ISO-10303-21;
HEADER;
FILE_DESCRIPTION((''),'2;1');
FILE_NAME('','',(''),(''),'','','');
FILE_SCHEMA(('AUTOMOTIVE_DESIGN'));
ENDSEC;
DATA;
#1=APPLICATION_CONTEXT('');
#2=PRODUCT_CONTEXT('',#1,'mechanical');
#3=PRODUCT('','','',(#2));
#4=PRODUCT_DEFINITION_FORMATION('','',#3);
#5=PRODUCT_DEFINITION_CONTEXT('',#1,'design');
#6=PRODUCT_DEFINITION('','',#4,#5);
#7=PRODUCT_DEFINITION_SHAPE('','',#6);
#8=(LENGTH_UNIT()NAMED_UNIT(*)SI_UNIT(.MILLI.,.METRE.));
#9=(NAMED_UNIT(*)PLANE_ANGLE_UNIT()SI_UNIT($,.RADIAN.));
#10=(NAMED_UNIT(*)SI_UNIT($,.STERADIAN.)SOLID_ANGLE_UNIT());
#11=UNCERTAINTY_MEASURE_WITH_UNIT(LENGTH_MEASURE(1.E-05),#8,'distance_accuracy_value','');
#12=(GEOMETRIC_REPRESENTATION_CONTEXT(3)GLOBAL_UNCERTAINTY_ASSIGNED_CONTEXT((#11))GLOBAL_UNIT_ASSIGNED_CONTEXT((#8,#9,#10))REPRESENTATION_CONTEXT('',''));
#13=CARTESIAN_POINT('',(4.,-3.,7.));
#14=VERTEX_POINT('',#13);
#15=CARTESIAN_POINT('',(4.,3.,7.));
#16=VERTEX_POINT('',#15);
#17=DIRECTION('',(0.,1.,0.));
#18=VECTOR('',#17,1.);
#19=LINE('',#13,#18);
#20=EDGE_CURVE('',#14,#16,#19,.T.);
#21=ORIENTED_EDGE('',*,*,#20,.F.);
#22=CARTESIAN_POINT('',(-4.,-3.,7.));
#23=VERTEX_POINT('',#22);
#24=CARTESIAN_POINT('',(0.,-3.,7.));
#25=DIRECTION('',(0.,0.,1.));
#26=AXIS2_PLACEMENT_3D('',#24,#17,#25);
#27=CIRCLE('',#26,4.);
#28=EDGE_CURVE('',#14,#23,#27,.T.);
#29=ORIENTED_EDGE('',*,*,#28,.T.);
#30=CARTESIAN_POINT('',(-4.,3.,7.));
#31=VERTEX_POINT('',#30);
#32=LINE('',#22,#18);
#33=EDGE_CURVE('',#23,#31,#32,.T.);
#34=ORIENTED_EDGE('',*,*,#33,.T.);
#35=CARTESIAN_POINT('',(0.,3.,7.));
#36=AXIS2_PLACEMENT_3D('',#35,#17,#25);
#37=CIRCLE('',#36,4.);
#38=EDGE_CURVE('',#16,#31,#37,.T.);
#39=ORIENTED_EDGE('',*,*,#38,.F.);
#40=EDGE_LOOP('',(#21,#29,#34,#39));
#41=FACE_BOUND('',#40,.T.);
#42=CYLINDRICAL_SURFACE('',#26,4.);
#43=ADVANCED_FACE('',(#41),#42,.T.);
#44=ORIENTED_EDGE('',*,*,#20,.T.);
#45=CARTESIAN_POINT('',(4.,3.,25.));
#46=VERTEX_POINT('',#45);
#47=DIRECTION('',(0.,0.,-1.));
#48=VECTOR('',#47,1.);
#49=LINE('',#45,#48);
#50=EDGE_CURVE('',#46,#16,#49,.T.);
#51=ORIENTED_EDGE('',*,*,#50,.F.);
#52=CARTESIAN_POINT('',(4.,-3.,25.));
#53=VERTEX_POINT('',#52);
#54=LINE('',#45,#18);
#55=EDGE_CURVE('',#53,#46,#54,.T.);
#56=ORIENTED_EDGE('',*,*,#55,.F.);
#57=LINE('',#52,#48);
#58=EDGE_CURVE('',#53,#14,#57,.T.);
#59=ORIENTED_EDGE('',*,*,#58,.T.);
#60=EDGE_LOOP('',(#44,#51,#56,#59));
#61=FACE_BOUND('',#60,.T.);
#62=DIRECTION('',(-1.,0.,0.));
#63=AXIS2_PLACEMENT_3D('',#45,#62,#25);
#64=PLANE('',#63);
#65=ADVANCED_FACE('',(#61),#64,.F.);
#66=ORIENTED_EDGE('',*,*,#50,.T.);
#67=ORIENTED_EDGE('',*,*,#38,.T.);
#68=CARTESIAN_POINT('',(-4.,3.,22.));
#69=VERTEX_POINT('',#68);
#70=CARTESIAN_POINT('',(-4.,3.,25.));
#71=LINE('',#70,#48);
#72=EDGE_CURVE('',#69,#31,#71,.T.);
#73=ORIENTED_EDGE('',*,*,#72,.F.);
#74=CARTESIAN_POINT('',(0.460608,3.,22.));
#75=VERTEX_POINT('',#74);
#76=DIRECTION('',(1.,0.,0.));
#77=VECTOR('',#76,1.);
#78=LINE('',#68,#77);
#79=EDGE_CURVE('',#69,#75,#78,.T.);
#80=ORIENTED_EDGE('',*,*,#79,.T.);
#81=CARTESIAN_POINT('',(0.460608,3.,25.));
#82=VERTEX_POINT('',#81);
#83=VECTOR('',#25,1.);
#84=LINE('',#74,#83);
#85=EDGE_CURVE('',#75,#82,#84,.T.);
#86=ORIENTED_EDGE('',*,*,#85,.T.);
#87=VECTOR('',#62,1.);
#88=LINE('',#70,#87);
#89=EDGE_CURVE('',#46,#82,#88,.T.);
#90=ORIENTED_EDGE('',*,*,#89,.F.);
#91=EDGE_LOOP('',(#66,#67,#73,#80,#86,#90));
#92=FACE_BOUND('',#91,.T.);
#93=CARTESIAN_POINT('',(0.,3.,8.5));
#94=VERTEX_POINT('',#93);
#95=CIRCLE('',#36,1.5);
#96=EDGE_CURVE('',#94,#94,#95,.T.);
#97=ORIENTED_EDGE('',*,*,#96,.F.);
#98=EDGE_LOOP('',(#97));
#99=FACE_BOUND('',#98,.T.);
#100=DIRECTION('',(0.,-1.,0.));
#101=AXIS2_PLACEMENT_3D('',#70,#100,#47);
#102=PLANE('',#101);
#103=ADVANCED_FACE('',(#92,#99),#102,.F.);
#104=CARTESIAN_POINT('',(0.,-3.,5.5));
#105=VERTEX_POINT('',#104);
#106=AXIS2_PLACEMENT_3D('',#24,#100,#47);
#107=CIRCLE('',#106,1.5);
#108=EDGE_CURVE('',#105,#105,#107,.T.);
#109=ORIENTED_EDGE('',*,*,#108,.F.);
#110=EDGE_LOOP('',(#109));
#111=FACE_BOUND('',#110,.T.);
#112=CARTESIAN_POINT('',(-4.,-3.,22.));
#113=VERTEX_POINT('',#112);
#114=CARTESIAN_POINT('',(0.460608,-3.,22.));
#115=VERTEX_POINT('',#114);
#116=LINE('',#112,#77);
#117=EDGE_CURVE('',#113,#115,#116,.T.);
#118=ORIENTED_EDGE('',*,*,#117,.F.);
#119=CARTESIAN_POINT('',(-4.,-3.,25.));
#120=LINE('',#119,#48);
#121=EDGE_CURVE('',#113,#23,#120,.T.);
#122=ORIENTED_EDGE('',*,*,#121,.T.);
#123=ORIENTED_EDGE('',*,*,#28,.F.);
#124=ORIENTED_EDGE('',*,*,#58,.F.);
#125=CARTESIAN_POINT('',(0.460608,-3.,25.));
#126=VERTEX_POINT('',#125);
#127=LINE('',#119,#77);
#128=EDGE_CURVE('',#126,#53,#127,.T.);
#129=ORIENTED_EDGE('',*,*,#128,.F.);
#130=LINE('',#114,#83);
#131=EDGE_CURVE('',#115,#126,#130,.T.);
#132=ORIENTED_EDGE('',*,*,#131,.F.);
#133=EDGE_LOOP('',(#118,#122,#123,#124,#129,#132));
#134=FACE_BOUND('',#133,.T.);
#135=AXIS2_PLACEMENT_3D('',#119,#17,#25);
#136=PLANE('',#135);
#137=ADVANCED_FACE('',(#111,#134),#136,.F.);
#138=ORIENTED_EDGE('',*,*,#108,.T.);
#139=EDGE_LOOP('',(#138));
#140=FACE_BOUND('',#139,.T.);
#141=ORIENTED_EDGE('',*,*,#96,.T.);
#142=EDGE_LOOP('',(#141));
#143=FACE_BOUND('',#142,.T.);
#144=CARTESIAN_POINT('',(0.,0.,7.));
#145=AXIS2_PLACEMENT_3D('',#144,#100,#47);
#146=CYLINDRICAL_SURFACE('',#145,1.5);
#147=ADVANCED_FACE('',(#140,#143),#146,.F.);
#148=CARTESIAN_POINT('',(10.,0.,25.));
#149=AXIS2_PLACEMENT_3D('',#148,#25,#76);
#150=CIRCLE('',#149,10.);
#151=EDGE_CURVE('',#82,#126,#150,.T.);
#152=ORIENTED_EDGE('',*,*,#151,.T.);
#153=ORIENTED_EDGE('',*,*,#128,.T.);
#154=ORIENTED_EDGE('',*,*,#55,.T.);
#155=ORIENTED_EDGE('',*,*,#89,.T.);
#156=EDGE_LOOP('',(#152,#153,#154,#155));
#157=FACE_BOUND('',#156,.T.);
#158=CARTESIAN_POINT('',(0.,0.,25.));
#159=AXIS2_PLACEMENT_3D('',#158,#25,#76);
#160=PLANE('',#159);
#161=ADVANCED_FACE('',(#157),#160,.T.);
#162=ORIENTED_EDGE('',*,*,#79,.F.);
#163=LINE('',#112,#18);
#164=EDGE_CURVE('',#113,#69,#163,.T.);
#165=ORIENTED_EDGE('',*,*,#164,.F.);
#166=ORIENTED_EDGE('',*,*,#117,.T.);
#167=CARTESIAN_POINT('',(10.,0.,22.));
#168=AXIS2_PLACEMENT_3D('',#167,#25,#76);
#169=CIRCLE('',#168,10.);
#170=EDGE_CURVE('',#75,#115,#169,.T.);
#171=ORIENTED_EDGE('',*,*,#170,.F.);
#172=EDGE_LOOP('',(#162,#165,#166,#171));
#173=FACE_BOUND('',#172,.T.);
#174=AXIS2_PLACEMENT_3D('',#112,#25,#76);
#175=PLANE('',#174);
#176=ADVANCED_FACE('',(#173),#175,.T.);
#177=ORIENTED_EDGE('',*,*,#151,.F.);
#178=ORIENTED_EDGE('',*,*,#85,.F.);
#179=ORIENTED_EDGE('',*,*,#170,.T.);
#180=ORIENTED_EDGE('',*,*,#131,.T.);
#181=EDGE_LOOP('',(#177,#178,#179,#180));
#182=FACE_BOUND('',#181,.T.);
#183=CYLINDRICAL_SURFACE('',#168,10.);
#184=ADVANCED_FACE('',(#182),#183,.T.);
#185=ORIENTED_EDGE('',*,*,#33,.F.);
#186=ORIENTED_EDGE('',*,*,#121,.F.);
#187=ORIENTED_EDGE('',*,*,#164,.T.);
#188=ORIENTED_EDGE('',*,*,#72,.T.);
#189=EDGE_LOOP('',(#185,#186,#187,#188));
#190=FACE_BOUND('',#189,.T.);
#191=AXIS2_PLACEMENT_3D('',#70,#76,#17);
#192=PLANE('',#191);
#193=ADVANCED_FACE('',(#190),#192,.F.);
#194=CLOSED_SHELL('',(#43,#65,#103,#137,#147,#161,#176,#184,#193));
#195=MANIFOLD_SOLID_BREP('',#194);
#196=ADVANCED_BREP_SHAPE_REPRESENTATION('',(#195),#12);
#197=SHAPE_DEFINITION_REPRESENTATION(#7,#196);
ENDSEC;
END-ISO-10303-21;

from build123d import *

# Parameters (mm, degrees)
CROQUIS1_W              = 8
CROQUIS1_H              = 6
SALIENTE_EXTRUIR1_DEPTH = 25
CROQUIS2_W              = 4
CROQUIS2_H              = 3
CORTAR_EXTRUIR1_DEPTH   = 27.019223663
CROQUIS3_R              = 1.5
CORTAR_EXTRUIR2_DEPTH   = 3
CROQUIS4_R              = 4
CROQUIS4_R_2            = 1.5
SALIENTE_EXTRUIR2_DEPTH = 3
CORTAR_EXTRUIR3_DEPTH   = 27.019223663
CORTAR_EXTRUIR4_DEPTH   = 3


with BuildPart() as part:
    # Croquis1 → Saliente-Extruir1 (new body)
    with BuildSketch(Plane.XY):
        Rectangle(CROQUIS1_W, CROQUIS1_H)
    extrude(amount=SALIENTE_EXTRUIR1_DEPTH)

    # Croquis2 → Cortar-Extruir1 (cut, through all)
    with BuildSketch(Plane(origin=(0, 3, 0), x_dir=(1, 0, 0), z_dir=(0, 1, 0))):
        with Locations((-2, -23.5)):
            Rectangle(CROQUIS2_W, CROQUIS2_H)
    extrude(amount=-CORTAR_EXTRUIR1_DEPTH, mode=Mode.SUBTRACT)

    # Croquis3 → Cortar-Extruir2 (cut)
    with BuildSketch(Plane.XZ.offset(3)):
        with Locations(Location((0, 7, 0), (0, 0, 270))):
            Circle(CROQUIS3_R)
    extrude(amount=-CORTAR_EXTRUIR2_DEPTH, mode=Mode.SUBTRACT)

    # Croquis4 → Saliente-Extruir2 (add)
    with BuildSketch(Plane.XZ.offset(3)):
        with Locations((0, 7)):
            Circle(CROQUIS4_R)
        with Locations(Location((0, 7, 0), (0, 0, 270))):
            Circle(CROQUIS4_R_2, mode=Mode.SUBTRACT)
    extrude(amount=-SALIENTE_EXTRUIR2_DEPTH)

    # Croquis5 → Cortar-Extruir3 (cut, through all)
    with BuildSketch(Plane(origin=(0, 3, 0), x_dir=(1, 0, 0), z_dir=(0, 1, 0))):
        with BuildLine():
            Line((4, 0), (-4, 0))
            Line((-4, 0), (-4, -7))
            ThreePointArc((-4, -7), (0, -3), (4, -7))
            Line((4, -7), (4, 0))
        make_face()
        with BuildLine():
            ThreePointArc((1.5, -7), (0, -5.5), (-1.5, -7))
            Line((-1.5, -7), (1.5, -7))
        make_face()
        with BuildLine():
            Line((1.5, -7), (-1.5, -7))
            ThreePointArc((-1.5, -7), (0, -8.5), (1.5, -7))
        make_face()
    extrude(amount=-CORTAR_EXTRUIR3_DEPTH, mode=Mode.SUBTRACT)

    # Croquis6 → Cortar-Extruir4 (cut)
    with BuildSketch(Plane.XY.offset(25)):
        with BuildLine():
            Line((0, 3), (0, 0))
            ThreePointArc((0, 0), (0.115822742, 1.517576993), (0.460607986, 3))
            Line((0.460607986, 3), (0, 3))
        make_face()
        with BuildLine():
            Line((0, 0), (0, -3))
            Line((0, -3), (0.460607986, -3))
            ThreePointArc((0.460607986, -3), (0.115822742, -1.517576993), (0, 0))
        make_face()
    extrude(amount=-CORTAR_EXTRUIR4_DEPTH, mode=Mode.SUBTRACT)


solid = part.part
